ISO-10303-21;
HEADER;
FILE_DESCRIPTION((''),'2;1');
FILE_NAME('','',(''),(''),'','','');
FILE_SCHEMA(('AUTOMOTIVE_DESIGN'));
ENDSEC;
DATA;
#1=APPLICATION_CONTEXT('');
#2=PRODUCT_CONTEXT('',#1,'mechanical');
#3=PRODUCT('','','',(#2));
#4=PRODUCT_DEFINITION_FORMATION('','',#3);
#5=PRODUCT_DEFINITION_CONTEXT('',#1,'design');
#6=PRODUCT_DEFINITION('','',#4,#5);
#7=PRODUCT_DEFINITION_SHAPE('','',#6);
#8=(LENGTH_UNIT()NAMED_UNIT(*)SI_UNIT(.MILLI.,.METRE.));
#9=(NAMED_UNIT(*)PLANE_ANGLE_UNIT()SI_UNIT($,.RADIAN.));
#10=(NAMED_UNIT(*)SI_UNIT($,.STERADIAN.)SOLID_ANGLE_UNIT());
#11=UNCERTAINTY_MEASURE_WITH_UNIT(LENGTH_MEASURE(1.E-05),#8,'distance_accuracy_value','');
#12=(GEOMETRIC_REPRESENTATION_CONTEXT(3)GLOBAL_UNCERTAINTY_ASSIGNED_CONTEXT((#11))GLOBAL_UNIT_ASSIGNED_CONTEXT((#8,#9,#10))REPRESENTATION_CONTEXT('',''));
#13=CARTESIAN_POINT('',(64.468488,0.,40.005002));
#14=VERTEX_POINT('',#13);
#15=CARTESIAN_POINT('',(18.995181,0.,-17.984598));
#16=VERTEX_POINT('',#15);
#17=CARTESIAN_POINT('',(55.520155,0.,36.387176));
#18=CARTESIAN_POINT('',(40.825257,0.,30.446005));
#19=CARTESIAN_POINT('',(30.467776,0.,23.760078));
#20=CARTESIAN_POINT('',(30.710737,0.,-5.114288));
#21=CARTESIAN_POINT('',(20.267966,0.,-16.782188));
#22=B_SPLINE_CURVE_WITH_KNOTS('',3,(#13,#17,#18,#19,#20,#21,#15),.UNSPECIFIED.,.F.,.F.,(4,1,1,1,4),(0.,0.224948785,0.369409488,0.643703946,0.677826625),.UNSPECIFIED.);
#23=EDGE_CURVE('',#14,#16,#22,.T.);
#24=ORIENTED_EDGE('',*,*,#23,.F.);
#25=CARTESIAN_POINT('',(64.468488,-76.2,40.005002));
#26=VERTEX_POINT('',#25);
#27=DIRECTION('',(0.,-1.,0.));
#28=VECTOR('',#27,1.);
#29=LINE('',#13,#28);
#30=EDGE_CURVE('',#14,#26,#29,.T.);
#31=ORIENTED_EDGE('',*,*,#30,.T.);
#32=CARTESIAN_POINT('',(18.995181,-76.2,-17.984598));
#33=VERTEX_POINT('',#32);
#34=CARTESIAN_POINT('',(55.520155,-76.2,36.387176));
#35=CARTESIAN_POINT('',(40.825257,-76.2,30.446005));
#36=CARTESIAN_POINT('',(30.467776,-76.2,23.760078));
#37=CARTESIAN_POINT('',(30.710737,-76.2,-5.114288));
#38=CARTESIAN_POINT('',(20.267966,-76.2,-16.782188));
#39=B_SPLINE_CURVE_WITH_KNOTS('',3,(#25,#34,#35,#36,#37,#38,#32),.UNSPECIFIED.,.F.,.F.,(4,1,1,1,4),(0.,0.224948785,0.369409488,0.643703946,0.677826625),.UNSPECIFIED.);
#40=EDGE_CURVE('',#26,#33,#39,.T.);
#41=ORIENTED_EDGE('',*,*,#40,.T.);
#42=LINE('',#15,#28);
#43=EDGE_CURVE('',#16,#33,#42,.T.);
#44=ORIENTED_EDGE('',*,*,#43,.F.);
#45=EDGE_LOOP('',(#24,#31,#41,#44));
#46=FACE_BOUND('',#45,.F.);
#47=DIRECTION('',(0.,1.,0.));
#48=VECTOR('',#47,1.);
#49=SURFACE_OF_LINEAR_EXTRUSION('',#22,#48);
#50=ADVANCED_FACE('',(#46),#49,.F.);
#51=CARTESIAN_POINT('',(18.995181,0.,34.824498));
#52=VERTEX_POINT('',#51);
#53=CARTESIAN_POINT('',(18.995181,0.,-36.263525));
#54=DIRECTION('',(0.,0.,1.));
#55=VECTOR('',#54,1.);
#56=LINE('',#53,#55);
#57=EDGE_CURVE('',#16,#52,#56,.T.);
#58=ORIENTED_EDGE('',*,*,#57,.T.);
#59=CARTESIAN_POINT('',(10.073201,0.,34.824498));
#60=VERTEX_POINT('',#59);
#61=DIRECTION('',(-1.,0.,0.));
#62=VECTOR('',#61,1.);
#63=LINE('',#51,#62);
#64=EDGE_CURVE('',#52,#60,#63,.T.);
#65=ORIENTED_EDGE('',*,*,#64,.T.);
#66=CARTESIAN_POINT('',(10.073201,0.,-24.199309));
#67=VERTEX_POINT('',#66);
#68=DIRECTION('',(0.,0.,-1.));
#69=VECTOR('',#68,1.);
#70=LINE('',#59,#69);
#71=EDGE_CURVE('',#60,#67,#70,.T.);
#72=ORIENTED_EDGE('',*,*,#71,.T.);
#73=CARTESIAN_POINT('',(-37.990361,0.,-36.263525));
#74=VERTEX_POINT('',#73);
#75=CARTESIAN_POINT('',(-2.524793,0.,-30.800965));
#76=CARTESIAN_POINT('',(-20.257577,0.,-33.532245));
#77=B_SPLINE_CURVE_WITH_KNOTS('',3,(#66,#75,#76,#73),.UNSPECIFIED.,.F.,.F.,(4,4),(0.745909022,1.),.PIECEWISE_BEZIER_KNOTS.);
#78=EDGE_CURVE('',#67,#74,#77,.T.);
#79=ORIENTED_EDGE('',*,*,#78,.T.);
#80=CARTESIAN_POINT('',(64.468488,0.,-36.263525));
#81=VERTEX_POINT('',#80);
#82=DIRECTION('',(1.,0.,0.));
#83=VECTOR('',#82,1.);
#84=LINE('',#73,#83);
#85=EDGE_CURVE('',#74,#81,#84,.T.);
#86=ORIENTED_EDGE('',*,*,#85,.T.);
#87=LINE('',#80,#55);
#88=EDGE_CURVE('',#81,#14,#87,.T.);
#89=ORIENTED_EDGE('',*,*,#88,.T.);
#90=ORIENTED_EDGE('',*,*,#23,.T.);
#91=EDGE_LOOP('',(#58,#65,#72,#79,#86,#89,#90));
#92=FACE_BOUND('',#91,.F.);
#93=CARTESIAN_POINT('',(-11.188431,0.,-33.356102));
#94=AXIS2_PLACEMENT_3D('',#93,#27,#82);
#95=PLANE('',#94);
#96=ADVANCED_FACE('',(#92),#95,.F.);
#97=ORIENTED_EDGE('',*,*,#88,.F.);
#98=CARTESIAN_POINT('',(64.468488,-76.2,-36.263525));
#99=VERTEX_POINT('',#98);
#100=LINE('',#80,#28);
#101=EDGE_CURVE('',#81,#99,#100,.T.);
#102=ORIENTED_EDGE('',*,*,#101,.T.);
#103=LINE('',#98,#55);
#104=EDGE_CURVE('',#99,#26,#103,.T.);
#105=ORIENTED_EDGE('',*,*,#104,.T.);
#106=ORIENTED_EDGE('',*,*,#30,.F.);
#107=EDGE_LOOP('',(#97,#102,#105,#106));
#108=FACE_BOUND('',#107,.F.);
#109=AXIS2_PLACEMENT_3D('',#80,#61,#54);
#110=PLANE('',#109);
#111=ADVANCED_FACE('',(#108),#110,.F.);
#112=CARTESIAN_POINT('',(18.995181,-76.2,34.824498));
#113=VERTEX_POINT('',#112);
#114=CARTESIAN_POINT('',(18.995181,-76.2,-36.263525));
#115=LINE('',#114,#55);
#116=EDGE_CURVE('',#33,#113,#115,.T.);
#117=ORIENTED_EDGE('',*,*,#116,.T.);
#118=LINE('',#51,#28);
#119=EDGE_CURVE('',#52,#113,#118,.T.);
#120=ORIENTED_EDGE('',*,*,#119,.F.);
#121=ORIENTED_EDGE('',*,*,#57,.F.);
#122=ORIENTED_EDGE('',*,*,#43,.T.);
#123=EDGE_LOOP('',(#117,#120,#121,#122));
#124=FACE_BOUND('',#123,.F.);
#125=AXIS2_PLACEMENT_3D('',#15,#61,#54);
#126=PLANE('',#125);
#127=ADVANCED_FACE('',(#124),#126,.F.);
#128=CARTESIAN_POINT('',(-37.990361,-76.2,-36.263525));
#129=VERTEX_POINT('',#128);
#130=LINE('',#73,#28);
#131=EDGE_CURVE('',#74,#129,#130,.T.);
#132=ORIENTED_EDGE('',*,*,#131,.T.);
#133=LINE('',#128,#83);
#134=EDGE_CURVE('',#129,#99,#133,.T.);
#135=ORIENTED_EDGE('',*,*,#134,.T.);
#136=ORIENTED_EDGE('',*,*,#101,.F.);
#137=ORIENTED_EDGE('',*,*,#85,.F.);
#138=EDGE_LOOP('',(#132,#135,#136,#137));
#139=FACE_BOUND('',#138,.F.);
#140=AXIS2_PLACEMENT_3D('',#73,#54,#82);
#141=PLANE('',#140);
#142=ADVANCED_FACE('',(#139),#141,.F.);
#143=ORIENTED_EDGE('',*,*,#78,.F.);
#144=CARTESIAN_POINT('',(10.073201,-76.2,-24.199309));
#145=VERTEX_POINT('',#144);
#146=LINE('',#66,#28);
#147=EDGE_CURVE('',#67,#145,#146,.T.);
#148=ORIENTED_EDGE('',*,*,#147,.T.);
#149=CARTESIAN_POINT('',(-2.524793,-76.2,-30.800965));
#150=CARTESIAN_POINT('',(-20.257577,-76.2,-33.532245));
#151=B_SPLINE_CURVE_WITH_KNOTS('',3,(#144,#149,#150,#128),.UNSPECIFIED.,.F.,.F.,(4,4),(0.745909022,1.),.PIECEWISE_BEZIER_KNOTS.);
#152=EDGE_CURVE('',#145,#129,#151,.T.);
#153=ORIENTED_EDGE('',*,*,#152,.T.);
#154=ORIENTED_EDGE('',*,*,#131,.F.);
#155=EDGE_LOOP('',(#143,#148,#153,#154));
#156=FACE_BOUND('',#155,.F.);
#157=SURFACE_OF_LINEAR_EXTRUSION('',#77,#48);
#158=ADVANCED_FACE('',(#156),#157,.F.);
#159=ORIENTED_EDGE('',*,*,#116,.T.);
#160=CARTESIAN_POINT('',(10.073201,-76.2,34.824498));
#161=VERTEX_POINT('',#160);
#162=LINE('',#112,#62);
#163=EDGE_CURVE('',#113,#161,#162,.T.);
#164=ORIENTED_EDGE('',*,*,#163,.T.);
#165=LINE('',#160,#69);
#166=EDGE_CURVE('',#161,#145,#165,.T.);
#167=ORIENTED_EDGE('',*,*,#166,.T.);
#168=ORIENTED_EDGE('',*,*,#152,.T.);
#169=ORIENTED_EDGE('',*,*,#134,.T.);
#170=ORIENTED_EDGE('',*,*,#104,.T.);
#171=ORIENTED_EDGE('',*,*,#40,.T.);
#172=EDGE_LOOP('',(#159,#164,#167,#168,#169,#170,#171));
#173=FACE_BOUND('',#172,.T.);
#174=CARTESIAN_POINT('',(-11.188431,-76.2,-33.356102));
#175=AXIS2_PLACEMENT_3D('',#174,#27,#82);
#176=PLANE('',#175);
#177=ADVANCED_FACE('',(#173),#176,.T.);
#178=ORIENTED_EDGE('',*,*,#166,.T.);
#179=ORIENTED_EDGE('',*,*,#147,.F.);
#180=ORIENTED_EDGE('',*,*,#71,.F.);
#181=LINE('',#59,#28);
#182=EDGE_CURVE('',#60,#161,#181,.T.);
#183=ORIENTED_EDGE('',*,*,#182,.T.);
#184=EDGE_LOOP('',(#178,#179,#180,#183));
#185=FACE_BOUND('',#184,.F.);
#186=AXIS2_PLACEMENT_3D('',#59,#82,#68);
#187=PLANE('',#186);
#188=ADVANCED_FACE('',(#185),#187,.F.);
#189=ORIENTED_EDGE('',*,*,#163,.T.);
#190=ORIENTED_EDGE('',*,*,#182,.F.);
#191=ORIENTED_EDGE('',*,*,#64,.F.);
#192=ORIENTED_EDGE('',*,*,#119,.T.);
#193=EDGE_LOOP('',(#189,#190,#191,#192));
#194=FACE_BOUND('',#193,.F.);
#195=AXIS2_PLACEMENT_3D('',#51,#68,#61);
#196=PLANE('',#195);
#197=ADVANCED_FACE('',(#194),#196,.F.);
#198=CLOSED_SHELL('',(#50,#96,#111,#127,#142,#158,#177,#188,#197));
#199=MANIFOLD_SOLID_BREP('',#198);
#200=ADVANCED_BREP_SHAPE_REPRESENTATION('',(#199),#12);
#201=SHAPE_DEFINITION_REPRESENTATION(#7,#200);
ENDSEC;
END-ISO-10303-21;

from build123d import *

# Parameters (mm, degrees)
F1_DEPTH = 76.2


with BuildPart() as f1:
    # F0 (on Front) → F1 (new body)
    with BuildSketch(Plane.XZ):
        with BuildLine():
            Line((10.0732007995, -36.263525486), (10.0732007995, -24.1993085699))
            add(Edge.make_bspline(
                [(10.0732007995, -24.1993085699), (-2.5247930618, -30.8009646223), (-20.2575772569, -33.5322450541), (-37.9903614521, -36.263525486)],
                knots=[0.7459090218, 0.7459090218, 0.7459090218, 0.7459090218, 1, 1, 1, 1], degree=3))
            Line((-37.9903614521, -36.263525486), (10.0732007995, -36.263525486))
        make_face()
        with BuildLine():
            add(Edge.make_bspline(
                [(18.9951807261, -17.9845977718), (16.45568902, -20.3836759401), (13.4487697668, -22.4304280998), (10.0732007995, -24.1993085699)],
                knots=[0.6778266247, 0.6778266247, 0.6778266247, 0.6778266247, 0.7459090218, 0.7459090218, 0.7459090218, 0.7459090218], degree=3))
            Line((18.9951807261, -17.9845977718), (18.9951807261, 34.8244979978))
            Line((18.9951807261, 34.8244979978), (10.0732007995, 34.8244979978))
            Line((10.0732007995, 34.8244979978), (10.0732007995, -24.1993085699))
        make_face()
        with BuildLine():
            Line((18.9951807261, -36.263525486), (18.9951807261, -17.9845977718))
            add(Edge.make_bspline(
                [(18.9951807261, -17.9845977718), (16.45568902, -20.3836759401), (13.4487697668, -22.4304280998), (10.0732007995, -24.1993085699)],
                knots=[0.6778266247, 0.6778266247, 0.6778266247, 0.6778266247, 0.7459090218, 0.7459090218, 0.7459090218, 0.7459090218], degree=3))
            Line((10.0732007995, -24.1993085699), (10.0732007995, -36.263525486))
            Line((10.0732007995, -36.263525486), (18.9951807261, -36.263525486))
        make_face()
        with BuildLine():
            Line((64.4684880972, -36.263525486), (64.4684880972, 40.0050021708))
            add(Edge.make_bspline(
                [(64.4684880972, 40.0050021708), (55.5201545747, 36.3871761167), (40.8252572156, 30.446004792), (30.4677759605, 23.7600779361), (30.7107370158, -5.1142881868), (20.267965794, -16.782187517), (18.9951807261, -17.9845977718)],
                knots=[0, 0, 0, 0, 0.2249487847, 0.3694094877, 0.6437039464, 0.6778266247, 0.6778266247, 0.6778266247, 0.6778266247], degree=3))
            Line((18.9951807261, -17.9845977718), (18.9951807261, -36.263525486))
            Line((18.9951807261, -36.263525486), (64.4684880972, -36.263525486))
        make_face()
    extrude(amount=F1_DEPTH)


solid = f1.part
